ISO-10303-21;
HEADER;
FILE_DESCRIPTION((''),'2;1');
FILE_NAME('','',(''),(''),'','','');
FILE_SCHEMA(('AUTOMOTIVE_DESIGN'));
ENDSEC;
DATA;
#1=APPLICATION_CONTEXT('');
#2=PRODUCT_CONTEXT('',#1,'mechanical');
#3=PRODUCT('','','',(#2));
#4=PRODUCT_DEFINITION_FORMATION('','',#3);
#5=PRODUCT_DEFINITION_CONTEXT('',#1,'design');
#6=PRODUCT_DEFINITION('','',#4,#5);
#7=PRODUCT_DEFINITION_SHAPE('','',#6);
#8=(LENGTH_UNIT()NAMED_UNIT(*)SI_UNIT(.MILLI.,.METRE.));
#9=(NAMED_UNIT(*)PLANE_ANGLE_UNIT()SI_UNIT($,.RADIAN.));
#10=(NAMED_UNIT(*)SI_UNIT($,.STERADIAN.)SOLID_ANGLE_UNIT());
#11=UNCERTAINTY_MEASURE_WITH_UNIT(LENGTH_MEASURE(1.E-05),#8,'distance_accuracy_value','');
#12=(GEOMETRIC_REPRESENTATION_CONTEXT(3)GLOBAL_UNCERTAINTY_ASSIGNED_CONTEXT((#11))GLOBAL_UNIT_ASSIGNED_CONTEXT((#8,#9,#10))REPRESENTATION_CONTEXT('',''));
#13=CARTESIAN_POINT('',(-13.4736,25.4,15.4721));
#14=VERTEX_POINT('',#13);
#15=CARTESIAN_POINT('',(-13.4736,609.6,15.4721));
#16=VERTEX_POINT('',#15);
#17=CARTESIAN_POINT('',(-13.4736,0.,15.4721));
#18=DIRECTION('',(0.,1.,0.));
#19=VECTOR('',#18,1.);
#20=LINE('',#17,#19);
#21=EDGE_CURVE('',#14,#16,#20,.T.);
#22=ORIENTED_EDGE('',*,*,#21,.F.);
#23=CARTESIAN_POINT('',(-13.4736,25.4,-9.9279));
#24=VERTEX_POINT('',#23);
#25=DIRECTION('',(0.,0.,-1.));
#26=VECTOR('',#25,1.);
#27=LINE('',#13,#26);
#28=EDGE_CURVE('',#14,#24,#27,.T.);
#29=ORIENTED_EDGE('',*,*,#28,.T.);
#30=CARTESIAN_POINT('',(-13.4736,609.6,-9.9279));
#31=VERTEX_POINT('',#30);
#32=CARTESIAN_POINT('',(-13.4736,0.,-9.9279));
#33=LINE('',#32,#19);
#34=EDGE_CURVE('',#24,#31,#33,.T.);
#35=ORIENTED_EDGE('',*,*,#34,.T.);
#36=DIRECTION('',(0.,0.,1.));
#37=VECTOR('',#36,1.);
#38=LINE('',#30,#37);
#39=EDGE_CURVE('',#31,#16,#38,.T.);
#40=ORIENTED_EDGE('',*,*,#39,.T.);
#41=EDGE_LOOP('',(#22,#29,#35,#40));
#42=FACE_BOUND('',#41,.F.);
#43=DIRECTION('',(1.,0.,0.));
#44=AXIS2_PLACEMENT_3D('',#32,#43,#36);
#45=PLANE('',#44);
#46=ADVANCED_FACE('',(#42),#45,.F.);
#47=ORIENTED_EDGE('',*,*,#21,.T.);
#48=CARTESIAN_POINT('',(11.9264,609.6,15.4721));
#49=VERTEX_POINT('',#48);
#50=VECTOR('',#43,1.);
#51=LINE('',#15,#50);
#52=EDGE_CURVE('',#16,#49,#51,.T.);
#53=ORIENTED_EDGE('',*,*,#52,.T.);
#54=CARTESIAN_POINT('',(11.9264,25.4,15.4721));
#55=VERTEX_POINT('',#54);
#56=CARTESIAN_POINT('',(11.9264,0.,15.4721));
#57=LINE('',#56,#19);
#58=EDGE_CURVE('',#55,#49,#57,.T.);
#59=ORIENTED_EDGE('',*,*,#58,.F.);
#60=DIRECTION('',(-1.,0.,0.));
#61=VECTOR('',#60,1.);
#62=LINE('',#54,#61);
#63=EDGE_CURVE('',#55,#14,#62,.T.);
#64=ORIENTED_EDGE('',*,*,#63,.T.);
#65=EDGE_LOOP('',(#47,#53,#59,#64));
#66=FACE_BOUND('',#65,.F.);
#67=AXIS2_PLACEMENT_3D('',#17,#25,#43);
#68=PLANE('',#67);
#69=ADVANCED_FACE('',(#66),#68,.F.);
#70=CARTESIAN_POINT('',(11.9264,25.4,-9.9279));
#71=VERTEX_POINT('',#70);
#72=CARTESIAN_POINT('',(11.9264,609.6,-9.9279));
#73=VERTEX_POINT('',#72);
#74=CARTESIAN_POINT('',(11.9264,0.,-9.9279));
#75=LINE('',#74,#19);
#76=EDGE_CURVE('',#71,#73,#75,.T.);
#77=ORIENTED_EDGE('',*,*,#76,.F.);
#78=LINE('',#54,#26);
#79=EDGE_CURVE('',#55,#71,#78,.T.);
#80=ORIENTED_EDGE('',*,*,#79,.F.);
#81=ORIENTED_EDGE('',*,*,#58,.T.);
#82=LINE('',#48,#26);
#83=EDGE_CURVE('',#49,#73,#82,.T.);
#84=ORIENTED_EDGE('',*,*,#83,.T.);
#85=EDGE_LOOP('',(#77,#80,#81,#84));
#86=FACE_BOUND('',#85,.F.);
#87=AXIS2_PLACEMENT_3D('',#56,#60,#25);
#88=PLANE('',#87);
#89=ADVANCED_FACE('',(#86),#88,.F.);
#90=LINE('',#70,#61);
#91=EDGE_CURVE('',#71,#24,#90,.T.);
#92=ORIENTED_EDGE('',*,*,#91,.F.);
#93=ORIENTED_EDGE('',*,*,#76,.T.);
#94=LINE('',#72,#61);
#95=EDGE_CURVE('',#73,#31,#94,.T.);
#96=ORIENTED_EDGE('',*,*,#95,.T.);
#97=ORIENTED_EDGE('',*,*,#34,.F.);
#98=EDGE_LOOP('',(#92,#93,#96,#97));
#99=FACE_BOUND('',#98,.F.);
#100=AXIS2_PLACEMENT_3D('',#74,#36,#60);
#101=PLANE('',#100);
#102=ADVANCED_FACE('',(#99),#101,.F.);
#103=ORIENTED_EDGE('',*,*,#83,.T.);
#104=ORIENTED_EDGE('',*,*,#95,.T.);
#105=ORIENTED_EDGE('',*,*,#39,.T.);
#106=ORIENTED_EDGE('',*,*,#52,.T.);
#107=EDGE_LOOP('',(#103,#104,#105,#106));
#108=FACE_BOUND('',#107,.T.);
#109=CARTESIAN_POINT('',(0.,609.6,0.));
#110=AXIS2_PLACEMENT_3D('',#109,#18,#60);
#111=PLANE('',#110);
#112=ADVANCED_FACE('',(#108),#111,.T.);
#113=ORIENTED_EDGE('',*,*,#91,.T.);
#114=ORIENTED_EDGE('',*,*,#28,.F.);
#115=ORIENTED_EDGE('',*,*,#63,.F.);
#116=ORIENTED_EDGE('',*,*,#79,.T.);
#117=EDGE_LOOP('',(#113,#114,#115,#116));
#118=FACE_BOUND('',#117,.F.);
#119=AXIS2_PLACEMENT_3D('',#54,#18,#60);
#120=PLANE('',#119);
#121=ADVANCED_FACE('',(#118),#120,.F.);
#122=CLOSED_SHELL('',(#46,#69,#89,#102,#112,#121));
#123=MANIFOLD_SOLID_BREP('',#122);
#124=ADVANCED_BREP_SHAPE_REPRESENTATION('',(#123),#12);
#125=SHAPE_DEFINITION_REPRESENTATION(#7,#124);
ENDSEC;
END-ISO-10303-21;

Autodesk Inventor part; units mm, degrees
ref_plane "YZ Plane" through (0, 0, 0) normal (1, 0, 0) x (0, 1, 0)
ref_plane "XZ Plane" through (0, 0, 0) normal (0, 1, 0) x (-1, 0, 0)
ref_plane "XY Plane" through (0, 0, 0) normal (0, 0, 1) x (1, 0, 0)
sketch "Sketch1" plane through (0, 0, 0) normal (0, 1, 0) x (-1, 0, 0)
  line L0 (13.4736, 15.4721) -> (-11.9264, 15.4721)
  line L1 (-11.9264, 15.4721) -> (-11.9264, -9.9279)
  line L2 (-11.9264, -9.9279) -> (13.4736, -9.9279)
  line L3 (13.4736, -9.9279) -> (13.4736, 15.4721)
  point P0 (0, 0)
  dimension "d0" = 25.4
  dimension "d1" = 25.4
extrude "Extrusion1" add sketch "Sketch1" along normal blind 609.6
sketch "Sketch4" plane through (-13.4736, 0, 15.4721) normal (0, 0, 1) x (1, 0, 0)
  line L0 (0, 0) -> (25.4, 0)
  line L1 (25.4, 0) -> (25.4, 25.4)
  line L2 (25.4, 25.4) -> (0, 25.4)
  line L3 (0, 25.4) -> (0, 0)
  point P0 (13.4736, 0)
  dimension "d55" = 25.4
  dimension "d56" = 25.4
extrude "Extrusion4" cut sketch "Sketch4" against normal blind 25.4
properties part number "ClawArmBeam"
